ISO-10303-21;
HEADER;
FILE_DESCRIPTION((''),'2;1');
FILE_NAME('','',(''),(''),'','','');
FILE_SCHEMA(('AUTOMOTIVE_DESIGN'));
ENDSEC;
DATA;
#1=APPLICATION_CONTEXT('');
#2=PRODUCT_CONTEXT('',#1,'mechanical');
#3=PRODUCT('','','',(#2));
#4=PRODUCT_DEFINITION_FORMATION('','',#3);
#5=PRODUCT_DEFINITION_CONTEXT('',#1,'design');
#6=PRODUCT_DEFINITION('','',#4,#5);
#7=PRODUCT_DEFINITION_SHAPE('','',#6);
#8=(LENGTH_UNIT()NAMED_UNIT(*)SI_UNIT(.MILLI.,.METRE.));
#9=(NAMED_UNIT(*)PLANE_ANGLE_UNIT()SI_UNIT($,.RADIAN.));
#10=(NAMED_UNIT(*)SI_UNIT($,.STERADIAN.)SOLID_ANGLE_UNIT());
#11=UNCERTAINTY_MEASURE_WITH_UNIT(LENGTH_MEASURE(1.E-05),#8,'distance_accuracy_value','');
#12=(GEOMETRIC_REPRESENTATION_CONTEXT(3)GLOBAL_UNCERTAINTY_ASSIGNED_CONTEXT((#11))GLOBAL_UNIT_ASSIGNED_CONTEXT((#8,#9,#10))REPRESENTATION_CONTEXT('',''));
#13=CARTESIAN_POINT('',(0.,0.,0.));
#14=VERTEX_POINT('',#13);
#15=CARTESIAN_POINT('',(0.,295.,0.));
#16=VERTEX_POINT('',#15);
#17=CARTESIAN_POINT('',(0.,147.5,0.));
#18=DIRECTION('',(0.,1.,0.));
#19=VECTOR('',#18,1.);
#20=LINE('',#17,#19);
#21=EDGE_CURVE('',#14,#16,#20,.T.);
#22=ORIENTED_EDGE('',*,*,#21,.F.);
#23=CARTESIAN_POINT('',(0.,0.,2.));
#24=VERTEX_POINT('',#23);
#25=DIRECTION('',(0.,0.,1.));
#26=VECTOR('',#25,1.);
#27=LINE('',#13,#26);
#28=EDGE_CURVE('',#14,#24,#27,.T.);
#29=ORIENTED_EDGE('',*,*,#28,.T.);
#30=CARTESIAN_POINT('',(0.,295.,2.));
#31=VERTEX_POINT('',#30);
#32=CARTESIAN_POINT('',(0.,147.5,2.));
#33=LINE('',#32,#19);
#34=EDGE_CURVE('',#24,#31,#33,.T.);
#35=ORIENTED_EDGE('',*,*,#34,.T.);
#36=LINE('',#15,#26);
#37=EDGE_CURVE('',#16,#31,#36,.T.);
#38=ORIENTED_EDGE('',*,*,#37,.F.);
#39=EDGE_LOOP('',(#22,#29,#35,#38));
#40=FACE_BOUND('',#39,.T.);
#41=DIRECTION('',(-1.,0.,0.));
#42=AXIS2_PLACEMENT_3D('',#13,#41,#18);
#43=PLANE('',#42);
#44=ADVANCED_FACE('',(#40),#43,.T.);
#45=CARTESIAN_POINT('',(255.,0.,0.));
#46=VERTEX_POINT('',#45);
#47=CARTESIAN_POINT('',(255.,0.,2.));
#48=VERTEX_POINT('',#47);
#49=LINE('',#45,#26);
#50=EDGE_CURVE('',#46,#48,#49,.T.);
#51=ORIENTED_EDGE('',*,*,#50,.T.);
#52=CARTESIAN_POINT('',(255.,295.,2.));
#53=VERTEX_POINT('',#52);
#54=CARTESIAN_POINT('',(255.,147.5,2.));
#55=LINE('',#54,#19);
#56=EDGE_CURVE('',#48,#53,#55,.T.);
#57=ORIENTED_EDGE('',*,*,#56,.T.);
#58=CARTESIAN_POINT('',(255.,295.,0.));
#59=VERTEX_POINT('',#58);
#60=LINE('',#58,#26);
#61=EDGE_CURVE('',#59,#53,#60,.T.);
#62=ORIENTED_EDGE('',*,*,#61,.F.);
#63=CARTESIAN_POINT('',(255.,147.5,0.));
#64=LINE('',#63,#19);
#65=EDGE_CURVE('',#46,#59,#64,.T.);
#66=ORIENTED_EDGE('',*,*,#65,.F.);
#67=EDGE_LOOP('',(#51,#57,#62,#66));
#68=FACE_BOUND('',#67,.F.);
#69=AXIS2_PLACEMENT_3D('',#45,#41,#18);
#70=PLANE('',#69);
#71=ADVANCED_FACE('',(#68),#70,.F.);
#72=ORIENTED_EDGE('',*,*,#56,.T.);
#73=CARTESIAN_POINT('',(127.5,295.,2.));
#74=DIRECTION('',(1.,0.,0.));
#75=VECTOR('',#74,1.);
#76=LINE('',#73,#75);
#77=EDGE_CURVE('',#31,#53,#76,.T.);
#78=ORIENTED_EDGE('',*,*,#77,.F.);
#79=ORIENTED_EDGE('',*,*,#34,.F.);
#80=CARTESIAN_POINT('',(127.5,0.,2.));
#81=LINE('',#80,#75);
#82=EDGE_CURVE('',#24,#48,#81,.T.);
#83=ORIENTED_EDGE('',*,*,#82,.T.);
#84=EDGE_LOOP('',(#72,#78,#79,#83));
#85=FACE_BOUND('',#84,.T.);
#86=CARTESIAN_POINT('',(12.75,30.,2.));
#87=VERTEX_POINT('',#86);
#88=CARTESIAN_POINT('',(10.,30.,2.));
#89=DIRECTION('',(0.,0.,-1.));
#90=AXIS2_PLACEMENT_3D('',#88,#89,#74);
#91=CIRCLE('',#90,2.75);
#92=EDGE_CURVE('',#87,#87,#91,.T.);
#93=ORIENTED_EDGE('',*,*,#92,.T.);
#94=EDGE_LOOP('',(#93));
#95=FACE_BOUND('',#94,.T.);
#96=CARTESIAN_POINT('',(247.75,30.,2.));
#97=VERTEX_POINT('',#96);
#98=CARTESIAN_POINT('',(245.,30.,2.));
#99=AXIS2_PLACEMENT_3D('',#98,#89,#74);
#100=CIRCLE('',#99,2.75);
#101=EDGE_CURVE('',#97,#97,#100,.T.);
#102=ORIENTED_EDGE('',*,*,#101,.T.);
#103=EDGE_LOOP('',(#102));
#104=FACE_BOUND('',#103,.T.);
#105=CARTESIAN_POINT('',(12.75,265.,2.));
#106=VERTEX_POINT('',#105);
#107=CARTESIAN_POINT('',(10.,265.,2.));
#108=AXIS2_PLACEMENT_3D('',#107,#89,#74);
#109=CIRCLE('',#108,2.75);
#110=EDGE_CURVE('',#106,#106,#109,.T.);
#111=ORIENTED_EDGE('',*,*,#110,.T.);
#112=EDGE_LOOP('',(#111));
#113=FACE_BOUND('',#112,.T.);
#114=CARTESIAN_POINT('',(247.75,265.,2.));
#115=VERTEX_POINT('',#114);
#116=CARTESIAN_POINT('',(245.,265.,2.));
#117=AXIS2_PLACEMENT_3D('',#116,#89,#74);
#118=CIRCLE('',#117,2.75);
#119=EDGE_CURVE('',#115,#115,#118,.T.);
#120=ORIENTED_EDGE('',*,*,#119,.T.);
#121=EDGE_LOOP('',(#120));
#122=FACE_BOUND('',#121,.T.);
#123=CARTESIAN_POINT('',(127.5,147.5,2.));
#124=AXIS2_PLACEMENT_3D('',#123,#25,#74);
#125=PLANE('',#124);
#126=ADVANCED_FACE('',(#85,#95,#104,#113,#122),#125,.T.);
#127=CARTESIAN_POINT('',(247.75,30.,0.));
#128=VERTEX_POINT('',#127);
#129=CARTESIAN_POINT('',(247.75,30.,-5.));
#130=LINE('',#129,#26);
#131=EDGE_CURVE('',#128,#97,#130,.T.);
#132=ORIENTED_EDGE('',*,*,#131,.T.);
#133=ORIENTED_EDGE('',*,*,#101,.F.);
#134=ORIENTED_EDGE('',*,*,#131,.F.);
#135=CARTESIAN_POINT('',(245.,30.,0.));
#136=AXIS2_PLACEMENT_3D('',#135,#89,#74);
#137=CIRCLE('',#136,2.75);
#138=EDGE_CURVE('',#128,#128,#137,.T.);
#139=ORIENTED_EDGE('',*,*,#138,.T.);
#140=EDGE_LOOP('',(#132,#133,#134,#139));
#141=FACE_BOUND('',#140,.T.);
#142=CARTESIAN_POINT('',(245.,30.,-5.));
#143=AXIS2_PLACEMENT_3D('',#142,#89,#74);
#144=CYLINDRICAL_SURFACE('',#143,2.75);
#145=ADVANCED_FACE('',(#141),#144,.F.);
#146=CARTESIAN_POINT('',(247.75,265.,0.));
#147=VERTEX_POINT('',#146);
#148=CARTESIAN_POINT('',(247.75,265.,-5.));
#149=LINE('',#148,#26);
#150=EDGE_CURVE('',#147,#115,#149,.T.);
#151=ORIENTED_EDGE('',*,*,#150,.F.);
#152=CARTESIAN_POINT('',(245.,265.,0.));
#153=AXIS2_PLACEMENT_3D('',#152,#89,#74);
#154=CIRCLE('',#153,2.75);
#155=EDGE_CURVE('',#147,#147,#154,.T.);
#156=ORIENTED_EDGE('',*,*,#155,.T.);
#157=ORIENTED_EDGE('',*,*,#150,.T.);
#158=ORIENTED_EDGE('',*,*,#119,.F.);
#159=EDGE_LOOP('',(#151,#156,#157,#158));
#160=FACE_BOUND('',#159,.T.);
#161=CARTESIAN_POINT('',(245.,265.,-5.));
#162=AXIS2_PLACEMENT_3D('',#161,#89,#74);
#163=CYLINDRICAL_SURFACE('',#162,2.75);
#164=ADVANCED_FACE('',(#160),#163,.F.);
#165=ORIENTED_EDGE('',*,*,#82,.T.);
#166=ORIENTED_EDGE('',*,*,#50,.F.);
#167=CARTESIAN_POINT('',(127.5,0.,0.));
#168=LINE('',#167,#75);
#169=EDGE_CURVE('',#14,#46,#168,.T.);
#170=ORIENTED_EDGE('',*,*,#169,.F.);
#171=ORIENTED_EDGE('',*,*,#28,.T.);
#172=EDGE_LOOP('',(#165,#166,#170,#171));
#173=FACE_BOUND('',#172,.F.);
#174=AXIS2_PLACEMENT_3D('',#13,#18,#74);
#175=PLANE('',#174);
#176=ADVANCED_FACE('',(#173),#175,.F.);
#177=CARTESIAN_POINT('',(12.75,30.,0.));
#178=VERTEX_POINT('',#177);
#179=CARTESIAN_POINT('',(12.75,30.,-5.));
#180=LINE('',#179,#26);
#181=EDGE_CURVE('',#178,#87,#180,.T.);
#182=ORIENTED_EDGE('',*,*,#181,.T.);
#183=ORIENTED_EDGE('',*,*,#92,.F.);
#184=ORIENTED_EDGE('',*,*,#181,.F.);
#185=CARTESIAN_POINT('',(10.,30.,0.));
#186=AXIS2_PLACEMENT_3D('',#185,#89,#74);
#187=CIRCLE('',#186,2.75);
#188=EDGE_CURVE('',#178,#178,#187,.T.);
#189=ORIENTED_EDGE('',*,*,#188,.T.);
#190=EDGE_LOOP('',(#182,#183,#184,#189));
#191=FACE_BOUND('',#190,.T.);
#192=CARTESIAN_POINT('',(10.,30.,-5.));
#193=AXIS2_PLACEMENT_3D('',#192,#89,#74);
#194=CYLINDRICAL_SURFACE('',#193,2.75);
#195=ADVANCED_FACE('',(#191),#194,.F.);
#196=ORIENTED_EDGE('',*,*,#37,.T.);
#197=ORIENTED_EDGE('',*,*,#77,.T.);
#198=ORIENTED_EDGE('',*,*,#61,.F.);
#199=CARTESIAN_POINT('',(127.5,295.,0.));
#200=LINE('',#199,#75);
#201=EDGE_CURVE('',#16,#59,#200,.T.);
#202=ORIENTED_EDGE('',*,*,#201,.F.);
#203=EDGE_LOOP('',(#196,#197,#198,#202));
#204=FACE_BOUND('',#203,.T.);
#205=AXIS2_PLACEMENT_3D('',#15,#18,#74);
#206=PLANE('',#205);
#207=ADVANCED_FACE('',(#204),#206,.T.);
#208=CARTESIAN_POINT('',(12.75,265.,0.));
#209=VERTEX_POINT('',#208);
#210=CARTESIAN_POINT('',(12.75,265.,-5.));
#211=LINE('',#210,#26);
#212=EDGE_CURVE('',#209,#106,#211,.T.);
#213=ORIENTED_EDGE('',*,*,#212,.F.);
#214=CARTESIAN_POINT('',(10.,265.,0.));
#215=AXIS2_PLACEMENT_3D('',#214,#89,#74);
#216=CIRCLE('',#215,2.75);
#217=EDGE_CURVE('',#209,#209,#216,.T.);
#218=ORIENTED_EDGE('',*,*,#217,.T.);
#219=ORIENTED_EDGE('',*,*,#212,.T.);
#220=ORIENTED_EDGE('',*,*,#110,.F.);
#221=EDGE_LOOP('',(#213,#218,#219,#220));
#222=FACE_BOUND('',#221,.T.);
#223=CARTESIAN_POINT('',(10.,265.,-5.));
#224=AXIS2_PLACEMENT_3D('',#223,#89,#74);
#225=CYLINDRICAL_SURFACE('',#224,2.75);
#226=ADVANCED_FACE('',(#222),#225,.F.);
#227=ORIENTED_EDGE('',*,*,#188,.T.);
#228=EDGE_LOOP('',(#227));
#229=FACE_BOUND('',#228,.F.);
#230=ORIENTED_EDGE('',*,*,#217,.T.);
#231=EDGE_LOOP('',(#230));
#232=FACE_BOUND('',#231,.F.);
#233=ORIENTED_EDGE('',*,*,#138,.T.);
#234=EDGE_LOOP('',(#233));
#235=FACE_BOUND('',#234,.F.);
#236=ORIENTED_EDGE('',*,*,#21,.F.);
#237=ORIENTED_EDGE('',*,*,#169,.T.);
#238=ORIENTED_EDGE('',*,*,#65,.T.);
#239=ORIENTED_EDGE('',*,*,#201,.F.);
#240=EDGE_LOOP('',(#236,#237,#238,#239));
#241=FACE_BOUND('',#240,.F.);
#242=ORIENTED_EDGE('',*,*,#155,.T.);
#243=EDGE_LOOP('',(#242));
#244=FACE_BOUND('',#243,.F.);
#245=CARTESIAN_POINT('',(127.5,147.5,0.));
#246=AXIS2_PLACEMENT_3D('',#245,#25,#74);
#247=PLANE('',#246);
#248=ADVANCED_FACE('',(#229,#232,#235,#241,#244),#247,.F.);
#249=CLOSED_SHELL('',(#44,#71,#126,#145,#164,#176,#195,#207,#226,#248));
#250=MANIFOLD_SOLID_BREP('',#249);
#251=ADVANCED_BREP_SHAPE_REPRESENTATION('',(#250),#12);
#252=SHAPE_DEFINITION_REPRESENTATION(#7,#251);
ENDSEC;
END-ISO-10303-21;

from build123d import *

# Parameters (mm, degrees)
CYLINDER003_R     = 2.75
CYLINDER003_DEPTH = 10
CYLINDER002_R     = 2.75
CYLINDER002_DEPTH = 10
CYLINDER001_R     = 2.75
CYLINDER001_DEPTH = 10
CYLINDER_R        = 2.75
CYLINDER_DEPTH    = 10
BOX_W             = 255
BOX_H             = 295
BOX_DEPTH         = 2


with BuildPart() as cylinder003:
    # Cylinder003 → Cylinder003 (new body)
    with BuildSketch(Plane(origin=(245, 265, -5), x_dir=(1, 0, 0), z_dir=(0, 0, 1))):
        Circle(CYLINDER003_R)
    extrude(amount=CYLINDER003_DEPTH)


with BuildPart() as cylinder002:
    # Cylinder002 → Cylinder002 (new body)
    with BuildSketch(Plane(origin=(245, 30, -5), x_dir=(1, 0, 0), z_dir=(0, 0, 1))):
        Circle(CYLINDER002_R)
    extrude(amount=CYLINDER002_DEPTH)


with BuildPart() as cylinder001:
    # Cylinder001 → Cylinder001 (new body)
    with BuildSketch(Plane(origin=(10, 265, -5), x_dir=(1, 0, 0), z_dir=(0, 0, 1))):
        Circle(CYLINDER001_R)
    extrude(amount=CYLINDER001_DEPTH)


with BuildPart() as cylinder:
    # Cylinder → Cylinder (new body)
    with BuildSketch(Plane(origin=(10, 30, -5), x_dir=(1, 0, 0), z_dir=(0, 0, 1))):
        Circle(CYLINDER_R)
    extrude(amount=CYLINDER_DEPTH)


with BuildPart() as bottom:
    # Box → Box (new body)
    with BuildSketch(Plane.XY.offset(0)):
        with Locations((127.5, 147.5)):
            Rectangle(BOX_W, BOX_H)
    extrude(amount=BOX_DEPTH)

    # Cut: cut Cylinder
    add(cylinder.part, mode=Mode.SUBTRACT)

    # Cut001: cut Cylinder001
    add(cylinder001.part, mode=Mode.SUBTRACT)

    # Cut002: cut Cylinder002
    add(cylinder002.part, mode=Mode.SUBTRACT)

    # Cut003: cut Cylinder003
    add(cylinder003.part, mode=Mode.SUBTRACT)


solid = bottom.part
